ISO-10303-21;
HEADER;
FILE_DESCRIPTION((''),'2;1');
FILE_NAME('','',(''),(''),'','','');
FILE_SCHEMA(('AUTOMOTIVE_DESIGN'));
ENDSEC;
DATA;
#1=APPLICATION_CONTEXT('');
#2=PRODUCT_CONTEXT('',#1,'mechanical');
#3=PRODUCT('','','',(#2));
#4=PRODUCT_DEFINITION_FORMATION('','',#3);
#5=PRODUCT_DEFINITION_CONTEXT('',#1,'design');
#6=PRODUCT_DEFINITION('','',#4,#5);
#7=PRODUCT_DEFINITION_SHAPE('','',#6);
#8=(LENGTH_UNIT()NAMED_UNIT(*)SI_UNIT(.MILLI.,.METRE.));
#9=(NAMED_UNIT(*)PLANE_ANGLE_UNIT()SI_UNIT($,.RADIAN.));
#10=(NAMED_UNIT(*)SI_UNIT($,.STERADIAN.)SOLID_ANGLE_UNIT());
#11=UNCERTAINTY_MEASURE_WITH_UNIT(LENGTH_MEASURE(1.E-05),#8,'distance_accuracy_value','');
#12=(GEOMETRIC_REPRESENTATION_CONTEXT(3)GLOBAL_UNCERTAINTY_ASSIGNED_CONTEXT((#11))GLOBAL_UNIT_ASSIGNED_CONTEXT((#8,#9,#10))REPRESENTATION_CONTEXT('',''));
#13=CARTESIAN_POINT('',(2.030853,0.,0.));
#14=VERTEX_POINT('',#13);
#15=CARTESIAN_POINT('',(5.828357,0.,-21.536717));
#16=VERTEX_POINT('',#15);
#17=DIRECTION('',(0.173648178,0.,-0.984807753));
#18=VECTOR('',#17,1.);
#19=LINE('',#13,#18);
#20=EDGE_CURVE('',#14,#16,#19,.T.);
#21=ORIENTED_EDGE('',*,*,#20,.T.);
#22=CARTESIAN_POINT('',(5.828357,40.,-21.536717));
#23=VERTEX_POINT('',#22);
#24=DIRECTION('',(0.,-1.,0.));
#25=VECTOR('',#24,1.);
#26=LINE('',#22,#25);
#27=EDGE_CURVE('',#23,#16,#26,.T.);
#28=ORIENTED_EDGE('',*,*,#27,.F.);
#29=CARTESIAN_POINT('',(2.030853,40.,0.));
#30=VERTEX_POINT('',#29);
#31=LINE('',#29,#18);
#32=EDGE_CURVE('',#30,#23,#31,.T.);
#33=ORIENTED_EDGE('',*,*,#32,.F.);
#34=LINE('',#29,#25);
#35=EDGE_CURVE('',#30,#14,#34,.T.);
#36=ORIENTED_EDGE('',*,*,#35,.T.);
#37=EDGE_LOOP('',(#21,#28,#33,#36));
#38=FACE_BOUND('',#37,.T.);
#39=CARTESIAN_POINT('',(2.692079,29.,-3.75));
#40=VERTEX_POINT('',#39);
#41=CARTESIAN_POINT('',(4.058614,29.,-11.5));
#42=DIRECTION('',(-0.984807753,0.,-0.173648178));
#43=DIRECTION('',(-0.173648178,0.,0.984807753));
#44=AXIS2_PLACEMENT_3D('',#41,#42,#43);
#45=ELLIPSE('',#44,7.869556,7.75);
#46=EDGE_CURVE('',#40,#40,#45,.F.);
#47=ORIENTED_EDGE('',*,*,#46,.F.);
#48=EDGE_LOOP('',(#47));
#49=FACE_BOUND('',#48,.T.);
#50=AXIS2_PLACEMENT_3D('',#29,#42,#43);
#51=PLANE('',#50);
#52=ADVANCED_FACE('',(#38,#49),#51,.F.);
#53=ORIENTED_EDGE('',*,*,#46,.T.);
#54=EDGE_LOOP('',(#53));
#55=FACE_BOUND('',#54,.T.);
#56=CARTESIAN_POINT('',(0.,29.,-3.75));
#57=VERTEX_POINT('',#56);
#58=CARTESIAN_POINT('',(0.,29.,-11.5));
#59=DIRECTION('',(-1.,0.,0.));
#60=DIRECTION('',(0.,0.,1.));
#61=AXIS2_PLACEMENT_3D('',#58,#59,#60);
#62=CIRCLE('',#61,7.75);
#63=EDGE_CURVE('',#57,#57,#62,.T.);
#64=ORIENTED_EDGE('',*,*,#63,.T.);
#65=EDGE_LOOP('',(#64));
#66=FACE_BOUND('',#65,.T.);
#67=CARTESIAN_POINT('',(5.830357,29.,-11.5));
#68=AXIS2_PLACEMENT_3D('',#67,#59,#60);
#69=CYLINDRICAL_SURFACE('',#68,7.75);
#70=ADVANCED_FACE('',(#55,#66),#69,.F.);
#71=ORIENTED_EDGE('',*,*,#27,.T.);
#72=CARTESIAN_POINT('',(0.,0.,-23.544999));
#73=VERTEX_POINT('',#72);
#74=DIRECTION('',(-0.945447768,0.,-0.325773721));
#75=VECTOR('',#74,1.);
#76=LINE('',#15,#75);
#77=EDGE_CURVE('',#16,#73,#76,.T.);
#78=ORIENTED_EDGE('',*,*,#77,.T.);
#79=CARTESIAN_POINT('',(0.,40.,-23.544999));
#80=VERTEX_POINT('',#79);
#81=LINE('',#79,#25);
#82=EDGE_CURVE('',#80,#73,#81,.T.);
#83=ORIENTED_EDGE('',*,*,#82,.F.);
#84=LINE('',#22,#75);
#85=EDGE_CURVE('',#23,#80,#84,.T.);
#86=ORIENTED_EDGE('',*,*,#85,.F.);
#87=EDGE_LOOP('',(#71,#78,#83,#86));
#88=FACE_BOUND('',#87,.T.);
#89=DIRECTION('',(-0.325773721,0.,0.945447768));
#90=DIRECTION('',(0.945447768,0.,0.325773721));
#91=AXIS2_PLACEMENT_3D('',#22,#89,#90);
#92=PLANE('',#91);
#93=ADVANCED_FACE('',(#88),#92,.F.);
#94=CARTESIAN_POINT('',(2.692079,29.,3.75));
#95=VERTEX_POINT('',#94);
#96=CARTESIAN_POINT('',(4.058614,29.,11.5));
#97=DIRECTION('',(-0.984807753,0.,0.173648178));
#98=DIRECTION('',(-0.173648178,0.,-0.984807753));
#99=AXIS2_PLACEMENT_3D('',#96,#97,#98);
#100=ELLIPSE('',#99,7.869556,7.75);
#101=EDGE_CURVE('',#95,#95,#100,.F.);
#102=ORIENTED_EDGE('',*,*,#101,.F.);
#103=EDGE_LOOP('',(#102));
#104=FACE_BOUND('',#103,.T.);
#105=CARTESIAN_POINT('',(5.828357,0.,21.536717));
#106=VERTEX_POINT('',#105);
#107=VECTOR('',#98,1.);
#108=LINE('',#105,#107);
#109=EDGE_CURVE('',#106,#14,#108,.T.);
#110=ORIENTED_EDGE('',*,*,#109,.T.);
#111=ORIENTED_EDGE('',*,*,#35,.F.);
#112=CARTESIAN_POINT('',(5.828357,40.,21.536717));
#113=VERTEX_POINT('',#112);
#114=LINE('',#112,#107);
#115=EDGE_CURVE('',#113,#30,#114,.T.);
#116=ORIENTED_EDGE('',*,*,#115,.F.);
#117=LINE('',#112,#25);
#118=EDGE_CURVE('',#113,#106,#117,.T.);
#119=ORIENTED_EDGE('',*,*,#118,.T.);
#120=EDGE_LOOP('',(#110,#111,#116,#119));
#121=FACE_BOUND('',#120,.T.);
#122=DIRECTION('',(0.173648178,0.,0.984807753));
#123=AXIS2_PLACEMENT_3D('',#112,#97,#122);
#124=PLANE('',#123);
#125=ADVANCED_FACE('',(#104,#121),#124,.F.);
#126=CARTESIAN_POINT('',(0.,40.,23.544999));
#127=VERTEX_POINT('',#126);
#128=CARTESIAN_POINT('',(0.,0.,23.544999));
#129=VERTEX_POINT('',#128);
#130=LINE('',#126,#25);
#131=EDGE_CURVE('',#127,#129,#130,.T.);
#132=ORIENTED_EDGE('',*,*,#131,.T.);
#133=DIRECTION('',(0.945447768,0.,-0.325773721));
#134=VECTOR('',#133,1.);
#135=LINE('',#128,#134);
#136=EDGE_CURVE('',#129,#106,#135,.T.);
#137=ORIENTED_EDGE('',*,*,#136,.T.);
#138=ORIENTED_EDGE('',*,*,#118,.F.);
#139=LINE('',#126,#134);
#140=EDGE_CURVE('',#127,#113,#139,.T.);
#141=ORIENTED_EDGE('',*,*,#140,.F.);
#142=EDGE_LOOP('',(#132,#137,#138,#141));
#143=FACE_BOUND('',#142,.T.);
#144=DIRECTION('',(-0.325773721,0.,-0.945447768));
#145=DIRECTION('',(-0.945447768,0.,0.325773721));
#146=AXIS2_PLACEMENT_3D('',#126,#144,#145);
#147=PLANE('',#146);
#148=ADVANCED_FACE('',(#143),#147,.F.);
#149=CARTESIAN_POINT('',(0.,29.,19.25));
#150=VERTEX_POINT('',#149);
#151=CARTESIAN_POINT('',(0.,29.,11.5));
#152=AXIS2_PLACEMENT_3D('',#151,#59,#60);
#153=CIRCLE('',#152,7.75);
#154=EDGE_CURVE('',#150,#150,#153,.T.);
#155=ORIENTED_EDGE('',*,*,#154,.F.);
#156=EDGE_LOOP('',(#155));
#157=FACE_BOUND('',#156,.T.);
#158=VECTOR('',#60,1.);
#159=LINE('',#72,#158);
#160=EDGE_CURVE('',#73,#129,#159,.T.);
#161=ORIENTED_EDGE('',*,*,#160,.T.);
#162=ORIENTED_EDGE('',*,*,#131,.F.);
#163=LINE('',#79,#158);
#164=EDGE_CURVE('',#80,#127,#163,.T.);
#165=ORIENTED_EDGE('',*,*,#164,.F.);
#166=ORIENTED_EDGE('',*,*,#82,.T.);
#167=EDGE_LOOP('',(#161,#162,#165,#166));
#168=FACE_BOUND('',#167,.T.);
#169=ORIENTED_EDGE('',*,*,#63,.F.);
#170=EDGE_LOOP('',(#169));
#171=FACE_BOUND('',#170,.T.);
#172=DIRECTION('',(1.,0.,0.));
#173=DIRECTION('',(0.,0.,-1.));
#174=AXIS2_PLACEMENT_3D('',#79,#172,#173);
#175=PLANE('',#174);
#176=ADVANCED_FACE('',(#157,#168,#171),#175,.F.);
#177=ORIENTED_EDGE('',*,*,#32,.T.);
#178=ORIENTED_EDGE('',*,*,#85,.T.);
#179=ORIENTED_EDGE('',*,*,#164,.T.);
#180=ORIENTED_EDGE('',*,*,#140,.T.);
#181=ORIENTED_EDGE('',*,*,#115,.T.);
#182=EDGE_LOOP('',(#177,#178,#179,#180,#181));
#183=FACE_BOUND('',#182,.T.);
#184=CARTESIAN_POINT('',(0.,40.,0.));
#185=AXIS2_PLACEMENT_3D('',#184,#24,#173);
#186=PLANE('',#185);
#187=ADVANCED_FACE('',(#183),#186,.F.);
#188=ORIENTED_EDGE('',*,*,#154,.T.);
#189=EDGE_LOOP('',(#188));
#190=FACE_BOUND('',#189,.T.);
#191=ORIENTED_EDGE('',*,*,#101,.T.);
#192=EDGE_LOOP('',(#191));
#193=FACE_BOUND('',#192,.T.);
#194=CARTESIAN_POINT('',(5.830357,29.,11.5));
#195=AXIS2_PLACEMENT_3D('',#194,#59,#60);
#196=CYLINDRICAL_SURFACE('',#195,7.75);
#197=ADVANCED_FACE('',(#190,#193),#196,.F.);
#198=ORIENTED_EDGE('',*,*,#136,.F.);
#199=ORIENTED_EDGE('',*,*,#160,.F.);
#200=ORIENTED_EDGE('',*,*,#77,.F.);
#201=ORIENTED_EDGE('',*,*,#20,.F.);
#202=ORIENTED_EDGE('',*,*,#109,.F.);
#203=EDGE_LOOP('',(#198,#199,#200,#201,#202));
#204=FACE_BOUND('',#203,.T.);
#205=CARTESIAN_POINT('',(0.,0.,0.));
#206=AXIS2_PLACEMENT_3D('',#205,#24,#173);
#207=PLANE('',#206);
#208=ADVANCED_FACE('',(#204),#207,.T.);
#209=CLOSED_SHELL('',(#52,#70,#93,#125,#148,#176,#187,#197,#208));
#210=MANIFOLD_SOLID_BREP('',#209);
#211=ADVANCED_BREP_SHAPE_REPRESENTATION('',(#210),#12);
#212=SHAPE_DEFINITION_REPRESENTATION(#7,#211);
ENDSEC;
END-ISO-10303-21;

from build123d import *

# Parameters (mm, degrees)
BOSS_EXTRUDE2_DEPTH = 40
CUT_EXTRUDE1_REACH  = 48.78
SKETCH4_R           = 7.75


with BuildPart() as part:
    # Sketch3 → Boss-Extrude2 (new body)
    with BuildSketch(Plane(origin=(0, 0, 0), x_dir=(1, 0, 0), z_dir=(0, 1, 0))):
        Polygon((0, -23.54499856), (5.828357437, -21.536716606), (2.030853224, 0), (5.828357437, 21.536716606), (0, 23.54499856), align=None)
    extrude(amount=BOSS_EXTRUDE2_DEPTH)

    # Sketch4 → Cut-Extrude1 (cut, up to next)
    with BuildSketch(Plane.ZY, mode=Mode.PRIVATE) as cut_extrude1_sk1:
        with Locations((-11.5, 29)):
            Circle(SKETCH4_R)
    cut_extrude1_tool1 = extrude(cut_extrude1_sk1.sketch, amount=-CUT_EXTRUDE1_REACH, mode=Mode.PRIVATE) & part.part
    # Sketch4 → Cut-Extrude1 (cut, up to next)
    with BuildSketch(Plane.ZY, mode=Mode.PRIVATE) as cut_extrude1_sk2:
        with Locations((11.5, 29)):
            Circle(SKETCH4_R)
    cut_extrude1_tool2 = extrude(cut_extrude1_sk2.sketch, amount=-CUT_EXTRUDE1_REACH, mode=Mode.PRIVATE) & part.part
    add(cut_extrude1_tool1.solids().sort_by_distance((0, 29, -11.5))[0], mode=Mode.SUBTRACT)
    add(cut_extrude1_tool2.solids().sort_by_distance((0, 29, 11.5))[0], mode=Mode.SUBTRACT)


solid = part.part
